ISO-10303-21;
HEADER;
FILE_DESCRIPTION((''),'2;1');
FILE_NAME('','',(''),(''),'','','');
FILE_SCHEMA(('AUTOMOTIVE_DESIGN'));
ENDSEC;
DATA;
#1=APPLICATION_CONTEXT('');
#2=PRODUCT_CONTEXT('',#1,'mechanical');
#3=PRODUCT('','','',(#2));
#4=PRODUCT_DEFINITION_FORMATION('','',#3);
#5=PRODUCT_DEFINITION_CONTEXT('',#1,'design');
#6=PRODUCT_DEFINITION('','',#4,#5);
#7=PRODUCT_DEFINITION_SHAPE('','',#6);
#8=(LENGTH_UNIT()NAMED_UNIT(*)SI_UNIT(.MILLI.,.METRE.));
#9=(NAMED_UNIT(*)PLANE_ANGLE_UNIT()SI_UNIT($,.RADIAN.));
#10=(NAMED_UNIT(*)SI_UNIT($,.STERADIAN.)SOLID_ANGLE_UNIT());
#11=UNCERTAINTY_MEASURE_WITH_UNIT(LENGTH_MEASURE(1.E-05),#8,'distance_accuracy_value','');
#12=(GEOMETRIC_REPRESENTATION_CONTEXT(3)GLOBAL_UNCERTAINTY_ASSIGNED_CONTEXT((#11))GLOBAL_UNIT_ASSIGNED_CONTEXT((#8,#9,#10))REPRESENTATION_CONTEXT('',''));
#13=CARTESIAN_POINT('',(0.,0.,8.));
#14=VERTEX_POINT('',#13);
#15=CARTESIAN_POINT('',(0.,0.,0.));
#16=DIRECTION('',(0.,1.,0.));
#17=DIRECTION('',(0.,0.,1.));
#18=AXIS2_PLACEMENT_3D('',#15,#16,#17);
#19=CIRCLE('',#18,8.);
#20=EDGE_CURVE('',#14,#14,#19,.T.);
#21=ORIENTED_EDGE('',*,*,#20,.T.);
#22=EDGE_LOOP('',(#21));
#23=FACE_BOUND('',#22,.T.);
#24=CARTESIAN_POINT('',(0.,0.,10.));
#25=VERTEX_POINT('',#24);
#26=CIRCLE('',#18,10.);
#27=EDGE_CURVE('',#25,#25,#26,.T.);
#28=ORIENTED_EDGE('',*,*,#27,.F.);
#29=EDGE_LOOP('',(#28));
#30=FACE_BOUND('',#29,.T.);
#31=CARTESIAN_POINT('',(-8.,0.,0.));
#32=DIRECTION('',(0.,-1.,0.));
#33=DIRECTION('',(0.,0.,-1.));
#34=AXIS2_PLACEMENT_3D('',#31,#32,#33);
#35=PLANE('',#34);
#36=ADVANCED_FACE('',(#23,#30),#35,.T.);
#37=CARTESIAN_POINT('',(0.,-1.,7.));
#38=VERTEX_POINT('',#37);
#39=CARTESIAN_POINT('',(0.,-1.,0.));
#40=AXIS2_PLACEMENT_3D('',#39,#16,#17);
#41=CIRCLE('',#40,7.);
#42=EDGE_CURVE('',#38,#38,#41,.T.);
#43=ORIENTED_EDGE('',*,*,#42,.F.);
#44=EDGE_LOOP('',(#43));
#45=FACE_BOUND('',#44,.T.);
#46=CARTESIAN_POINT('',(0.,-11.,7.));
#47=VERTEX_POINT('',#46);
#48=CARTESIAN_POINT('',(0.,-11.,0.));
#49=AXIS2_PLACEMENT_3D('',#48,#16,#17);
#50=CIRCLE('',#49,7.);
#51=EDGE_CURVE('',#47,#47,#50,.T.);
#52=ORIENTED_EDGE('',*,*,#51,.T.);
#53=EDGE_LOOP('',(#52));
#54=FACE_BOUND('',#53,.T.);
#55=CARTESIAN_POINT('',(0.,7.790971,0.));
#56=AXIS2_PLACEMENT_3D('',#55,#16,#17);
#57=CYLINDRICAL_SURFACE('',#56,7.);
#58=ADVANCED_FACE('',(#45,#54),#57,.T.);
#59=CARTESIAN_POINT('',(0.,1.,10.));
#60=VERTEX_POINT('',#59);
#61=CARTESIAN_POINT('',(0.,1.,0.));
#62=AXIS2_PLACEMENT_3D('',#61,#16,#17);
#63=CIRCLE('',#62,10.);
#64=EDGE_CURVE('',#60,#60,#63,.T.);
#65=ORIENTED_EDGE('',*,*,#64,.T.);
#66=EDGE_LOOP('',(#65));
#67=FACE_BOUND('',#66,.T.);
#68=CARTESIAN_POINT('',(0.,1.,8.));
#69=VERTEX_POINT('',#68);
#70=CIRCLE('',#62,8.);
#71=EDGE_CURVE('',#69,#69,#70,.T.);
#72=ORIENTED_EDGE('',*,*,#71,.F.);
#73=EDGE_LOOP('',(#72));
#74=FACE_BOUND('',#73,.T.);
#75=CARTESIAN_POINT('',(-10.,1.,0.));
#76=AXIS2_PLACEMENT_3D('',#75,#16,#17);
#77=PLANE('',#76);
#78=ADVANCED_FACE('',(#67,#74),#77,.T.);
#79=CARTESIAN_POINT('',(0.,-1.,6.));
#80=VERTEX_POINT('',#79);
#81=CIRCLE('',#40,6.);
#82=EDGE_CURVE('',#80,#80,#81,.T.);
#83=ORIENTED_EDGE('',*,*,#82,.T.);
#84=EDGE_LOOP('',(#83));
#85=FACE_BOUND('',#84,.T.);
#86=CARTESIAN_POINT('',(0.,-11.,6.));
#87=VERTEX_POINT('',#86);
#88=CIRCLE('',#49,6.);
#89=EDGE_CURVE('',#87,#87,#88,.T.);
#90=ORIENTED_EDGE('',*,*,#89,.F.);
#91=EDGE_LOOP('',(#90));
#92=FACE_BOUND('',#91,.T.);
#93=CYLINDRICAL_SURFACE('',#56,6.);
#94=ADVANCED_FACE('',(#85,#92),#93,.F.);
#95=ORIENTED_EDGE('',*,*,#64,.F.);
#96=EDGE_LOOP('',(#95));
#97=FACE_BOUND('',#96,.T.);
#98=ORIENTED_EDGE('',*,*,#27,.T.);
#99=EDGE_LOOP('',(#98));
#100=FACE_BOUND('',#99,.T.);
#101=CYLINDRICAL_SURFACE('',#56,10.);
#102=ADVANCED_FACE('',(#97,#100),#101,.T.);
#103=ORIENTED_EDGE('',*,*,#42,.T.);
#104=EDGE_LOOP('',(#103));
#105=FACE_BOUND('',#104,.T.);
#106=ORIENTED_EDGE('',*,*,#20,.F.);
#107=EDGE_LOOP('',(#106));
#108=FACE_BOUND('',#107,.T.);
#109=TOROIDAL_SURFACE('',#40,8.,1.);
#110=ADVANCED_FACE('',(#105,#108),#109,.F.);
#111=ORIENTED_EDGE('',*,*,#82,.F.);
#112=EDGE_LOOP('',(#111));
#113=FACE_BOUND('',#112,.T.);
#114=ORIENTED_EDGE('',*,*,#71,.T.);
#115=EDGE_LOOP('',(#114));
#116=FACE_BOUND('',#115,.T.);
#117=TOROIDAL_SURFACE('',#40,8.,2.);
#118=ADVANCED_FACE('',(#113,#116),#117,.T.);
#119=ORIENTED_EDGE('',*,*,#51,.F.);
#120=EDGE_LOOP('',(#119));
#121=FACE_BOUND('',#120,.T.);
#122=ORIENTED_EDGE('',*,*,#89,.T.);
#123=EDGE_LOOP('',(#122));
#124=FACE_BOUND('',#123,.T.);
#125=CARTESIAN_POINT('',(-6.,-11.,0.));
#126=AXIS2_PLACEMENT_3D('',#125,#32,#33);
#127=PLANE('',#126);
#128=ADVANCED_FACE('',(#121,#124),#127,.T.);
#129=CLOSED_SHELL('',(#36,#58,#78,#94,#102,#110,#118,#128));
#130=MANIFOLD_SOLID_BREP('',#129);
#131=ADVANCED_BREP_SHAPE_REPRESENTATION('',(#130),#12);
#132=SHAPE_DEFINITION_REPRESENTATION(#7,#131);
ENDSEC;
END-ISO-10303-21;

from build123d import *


with BuildPart() as part:
    # Skizze1 → Basis-Rotation (revolve)
    with BuildSketch(Plane.XY, mode=Mode.PRIVATE) as basis_rotation_sk:
        with BuildLine():
            Line((-6, -11), (-7, -11))
            Line((-7, -11), (-7, -1))
            ThreePointArc((-7, -1), (-7.292893219, -0.292893219), (-8, 0))
            Line((-8, 0), (-10, 0))
            Line((-10, 0), (-10, 1))
            Line((-10, 1), (-8, 1))
            ThreePointArc((-8, 1), (-6.585786438, 0.414213562), (-6, -1))
            Line((-6, -1), (-6, -11))
        make_face()
    revolve(basis_rotation_sk.sketch.rotate(Axis((0, 7.790971461, 0), (0, -1, 0)), 270), axis=Axis((0, 7.790971461, 0), (0, -1, 0)))


solid = part.part
